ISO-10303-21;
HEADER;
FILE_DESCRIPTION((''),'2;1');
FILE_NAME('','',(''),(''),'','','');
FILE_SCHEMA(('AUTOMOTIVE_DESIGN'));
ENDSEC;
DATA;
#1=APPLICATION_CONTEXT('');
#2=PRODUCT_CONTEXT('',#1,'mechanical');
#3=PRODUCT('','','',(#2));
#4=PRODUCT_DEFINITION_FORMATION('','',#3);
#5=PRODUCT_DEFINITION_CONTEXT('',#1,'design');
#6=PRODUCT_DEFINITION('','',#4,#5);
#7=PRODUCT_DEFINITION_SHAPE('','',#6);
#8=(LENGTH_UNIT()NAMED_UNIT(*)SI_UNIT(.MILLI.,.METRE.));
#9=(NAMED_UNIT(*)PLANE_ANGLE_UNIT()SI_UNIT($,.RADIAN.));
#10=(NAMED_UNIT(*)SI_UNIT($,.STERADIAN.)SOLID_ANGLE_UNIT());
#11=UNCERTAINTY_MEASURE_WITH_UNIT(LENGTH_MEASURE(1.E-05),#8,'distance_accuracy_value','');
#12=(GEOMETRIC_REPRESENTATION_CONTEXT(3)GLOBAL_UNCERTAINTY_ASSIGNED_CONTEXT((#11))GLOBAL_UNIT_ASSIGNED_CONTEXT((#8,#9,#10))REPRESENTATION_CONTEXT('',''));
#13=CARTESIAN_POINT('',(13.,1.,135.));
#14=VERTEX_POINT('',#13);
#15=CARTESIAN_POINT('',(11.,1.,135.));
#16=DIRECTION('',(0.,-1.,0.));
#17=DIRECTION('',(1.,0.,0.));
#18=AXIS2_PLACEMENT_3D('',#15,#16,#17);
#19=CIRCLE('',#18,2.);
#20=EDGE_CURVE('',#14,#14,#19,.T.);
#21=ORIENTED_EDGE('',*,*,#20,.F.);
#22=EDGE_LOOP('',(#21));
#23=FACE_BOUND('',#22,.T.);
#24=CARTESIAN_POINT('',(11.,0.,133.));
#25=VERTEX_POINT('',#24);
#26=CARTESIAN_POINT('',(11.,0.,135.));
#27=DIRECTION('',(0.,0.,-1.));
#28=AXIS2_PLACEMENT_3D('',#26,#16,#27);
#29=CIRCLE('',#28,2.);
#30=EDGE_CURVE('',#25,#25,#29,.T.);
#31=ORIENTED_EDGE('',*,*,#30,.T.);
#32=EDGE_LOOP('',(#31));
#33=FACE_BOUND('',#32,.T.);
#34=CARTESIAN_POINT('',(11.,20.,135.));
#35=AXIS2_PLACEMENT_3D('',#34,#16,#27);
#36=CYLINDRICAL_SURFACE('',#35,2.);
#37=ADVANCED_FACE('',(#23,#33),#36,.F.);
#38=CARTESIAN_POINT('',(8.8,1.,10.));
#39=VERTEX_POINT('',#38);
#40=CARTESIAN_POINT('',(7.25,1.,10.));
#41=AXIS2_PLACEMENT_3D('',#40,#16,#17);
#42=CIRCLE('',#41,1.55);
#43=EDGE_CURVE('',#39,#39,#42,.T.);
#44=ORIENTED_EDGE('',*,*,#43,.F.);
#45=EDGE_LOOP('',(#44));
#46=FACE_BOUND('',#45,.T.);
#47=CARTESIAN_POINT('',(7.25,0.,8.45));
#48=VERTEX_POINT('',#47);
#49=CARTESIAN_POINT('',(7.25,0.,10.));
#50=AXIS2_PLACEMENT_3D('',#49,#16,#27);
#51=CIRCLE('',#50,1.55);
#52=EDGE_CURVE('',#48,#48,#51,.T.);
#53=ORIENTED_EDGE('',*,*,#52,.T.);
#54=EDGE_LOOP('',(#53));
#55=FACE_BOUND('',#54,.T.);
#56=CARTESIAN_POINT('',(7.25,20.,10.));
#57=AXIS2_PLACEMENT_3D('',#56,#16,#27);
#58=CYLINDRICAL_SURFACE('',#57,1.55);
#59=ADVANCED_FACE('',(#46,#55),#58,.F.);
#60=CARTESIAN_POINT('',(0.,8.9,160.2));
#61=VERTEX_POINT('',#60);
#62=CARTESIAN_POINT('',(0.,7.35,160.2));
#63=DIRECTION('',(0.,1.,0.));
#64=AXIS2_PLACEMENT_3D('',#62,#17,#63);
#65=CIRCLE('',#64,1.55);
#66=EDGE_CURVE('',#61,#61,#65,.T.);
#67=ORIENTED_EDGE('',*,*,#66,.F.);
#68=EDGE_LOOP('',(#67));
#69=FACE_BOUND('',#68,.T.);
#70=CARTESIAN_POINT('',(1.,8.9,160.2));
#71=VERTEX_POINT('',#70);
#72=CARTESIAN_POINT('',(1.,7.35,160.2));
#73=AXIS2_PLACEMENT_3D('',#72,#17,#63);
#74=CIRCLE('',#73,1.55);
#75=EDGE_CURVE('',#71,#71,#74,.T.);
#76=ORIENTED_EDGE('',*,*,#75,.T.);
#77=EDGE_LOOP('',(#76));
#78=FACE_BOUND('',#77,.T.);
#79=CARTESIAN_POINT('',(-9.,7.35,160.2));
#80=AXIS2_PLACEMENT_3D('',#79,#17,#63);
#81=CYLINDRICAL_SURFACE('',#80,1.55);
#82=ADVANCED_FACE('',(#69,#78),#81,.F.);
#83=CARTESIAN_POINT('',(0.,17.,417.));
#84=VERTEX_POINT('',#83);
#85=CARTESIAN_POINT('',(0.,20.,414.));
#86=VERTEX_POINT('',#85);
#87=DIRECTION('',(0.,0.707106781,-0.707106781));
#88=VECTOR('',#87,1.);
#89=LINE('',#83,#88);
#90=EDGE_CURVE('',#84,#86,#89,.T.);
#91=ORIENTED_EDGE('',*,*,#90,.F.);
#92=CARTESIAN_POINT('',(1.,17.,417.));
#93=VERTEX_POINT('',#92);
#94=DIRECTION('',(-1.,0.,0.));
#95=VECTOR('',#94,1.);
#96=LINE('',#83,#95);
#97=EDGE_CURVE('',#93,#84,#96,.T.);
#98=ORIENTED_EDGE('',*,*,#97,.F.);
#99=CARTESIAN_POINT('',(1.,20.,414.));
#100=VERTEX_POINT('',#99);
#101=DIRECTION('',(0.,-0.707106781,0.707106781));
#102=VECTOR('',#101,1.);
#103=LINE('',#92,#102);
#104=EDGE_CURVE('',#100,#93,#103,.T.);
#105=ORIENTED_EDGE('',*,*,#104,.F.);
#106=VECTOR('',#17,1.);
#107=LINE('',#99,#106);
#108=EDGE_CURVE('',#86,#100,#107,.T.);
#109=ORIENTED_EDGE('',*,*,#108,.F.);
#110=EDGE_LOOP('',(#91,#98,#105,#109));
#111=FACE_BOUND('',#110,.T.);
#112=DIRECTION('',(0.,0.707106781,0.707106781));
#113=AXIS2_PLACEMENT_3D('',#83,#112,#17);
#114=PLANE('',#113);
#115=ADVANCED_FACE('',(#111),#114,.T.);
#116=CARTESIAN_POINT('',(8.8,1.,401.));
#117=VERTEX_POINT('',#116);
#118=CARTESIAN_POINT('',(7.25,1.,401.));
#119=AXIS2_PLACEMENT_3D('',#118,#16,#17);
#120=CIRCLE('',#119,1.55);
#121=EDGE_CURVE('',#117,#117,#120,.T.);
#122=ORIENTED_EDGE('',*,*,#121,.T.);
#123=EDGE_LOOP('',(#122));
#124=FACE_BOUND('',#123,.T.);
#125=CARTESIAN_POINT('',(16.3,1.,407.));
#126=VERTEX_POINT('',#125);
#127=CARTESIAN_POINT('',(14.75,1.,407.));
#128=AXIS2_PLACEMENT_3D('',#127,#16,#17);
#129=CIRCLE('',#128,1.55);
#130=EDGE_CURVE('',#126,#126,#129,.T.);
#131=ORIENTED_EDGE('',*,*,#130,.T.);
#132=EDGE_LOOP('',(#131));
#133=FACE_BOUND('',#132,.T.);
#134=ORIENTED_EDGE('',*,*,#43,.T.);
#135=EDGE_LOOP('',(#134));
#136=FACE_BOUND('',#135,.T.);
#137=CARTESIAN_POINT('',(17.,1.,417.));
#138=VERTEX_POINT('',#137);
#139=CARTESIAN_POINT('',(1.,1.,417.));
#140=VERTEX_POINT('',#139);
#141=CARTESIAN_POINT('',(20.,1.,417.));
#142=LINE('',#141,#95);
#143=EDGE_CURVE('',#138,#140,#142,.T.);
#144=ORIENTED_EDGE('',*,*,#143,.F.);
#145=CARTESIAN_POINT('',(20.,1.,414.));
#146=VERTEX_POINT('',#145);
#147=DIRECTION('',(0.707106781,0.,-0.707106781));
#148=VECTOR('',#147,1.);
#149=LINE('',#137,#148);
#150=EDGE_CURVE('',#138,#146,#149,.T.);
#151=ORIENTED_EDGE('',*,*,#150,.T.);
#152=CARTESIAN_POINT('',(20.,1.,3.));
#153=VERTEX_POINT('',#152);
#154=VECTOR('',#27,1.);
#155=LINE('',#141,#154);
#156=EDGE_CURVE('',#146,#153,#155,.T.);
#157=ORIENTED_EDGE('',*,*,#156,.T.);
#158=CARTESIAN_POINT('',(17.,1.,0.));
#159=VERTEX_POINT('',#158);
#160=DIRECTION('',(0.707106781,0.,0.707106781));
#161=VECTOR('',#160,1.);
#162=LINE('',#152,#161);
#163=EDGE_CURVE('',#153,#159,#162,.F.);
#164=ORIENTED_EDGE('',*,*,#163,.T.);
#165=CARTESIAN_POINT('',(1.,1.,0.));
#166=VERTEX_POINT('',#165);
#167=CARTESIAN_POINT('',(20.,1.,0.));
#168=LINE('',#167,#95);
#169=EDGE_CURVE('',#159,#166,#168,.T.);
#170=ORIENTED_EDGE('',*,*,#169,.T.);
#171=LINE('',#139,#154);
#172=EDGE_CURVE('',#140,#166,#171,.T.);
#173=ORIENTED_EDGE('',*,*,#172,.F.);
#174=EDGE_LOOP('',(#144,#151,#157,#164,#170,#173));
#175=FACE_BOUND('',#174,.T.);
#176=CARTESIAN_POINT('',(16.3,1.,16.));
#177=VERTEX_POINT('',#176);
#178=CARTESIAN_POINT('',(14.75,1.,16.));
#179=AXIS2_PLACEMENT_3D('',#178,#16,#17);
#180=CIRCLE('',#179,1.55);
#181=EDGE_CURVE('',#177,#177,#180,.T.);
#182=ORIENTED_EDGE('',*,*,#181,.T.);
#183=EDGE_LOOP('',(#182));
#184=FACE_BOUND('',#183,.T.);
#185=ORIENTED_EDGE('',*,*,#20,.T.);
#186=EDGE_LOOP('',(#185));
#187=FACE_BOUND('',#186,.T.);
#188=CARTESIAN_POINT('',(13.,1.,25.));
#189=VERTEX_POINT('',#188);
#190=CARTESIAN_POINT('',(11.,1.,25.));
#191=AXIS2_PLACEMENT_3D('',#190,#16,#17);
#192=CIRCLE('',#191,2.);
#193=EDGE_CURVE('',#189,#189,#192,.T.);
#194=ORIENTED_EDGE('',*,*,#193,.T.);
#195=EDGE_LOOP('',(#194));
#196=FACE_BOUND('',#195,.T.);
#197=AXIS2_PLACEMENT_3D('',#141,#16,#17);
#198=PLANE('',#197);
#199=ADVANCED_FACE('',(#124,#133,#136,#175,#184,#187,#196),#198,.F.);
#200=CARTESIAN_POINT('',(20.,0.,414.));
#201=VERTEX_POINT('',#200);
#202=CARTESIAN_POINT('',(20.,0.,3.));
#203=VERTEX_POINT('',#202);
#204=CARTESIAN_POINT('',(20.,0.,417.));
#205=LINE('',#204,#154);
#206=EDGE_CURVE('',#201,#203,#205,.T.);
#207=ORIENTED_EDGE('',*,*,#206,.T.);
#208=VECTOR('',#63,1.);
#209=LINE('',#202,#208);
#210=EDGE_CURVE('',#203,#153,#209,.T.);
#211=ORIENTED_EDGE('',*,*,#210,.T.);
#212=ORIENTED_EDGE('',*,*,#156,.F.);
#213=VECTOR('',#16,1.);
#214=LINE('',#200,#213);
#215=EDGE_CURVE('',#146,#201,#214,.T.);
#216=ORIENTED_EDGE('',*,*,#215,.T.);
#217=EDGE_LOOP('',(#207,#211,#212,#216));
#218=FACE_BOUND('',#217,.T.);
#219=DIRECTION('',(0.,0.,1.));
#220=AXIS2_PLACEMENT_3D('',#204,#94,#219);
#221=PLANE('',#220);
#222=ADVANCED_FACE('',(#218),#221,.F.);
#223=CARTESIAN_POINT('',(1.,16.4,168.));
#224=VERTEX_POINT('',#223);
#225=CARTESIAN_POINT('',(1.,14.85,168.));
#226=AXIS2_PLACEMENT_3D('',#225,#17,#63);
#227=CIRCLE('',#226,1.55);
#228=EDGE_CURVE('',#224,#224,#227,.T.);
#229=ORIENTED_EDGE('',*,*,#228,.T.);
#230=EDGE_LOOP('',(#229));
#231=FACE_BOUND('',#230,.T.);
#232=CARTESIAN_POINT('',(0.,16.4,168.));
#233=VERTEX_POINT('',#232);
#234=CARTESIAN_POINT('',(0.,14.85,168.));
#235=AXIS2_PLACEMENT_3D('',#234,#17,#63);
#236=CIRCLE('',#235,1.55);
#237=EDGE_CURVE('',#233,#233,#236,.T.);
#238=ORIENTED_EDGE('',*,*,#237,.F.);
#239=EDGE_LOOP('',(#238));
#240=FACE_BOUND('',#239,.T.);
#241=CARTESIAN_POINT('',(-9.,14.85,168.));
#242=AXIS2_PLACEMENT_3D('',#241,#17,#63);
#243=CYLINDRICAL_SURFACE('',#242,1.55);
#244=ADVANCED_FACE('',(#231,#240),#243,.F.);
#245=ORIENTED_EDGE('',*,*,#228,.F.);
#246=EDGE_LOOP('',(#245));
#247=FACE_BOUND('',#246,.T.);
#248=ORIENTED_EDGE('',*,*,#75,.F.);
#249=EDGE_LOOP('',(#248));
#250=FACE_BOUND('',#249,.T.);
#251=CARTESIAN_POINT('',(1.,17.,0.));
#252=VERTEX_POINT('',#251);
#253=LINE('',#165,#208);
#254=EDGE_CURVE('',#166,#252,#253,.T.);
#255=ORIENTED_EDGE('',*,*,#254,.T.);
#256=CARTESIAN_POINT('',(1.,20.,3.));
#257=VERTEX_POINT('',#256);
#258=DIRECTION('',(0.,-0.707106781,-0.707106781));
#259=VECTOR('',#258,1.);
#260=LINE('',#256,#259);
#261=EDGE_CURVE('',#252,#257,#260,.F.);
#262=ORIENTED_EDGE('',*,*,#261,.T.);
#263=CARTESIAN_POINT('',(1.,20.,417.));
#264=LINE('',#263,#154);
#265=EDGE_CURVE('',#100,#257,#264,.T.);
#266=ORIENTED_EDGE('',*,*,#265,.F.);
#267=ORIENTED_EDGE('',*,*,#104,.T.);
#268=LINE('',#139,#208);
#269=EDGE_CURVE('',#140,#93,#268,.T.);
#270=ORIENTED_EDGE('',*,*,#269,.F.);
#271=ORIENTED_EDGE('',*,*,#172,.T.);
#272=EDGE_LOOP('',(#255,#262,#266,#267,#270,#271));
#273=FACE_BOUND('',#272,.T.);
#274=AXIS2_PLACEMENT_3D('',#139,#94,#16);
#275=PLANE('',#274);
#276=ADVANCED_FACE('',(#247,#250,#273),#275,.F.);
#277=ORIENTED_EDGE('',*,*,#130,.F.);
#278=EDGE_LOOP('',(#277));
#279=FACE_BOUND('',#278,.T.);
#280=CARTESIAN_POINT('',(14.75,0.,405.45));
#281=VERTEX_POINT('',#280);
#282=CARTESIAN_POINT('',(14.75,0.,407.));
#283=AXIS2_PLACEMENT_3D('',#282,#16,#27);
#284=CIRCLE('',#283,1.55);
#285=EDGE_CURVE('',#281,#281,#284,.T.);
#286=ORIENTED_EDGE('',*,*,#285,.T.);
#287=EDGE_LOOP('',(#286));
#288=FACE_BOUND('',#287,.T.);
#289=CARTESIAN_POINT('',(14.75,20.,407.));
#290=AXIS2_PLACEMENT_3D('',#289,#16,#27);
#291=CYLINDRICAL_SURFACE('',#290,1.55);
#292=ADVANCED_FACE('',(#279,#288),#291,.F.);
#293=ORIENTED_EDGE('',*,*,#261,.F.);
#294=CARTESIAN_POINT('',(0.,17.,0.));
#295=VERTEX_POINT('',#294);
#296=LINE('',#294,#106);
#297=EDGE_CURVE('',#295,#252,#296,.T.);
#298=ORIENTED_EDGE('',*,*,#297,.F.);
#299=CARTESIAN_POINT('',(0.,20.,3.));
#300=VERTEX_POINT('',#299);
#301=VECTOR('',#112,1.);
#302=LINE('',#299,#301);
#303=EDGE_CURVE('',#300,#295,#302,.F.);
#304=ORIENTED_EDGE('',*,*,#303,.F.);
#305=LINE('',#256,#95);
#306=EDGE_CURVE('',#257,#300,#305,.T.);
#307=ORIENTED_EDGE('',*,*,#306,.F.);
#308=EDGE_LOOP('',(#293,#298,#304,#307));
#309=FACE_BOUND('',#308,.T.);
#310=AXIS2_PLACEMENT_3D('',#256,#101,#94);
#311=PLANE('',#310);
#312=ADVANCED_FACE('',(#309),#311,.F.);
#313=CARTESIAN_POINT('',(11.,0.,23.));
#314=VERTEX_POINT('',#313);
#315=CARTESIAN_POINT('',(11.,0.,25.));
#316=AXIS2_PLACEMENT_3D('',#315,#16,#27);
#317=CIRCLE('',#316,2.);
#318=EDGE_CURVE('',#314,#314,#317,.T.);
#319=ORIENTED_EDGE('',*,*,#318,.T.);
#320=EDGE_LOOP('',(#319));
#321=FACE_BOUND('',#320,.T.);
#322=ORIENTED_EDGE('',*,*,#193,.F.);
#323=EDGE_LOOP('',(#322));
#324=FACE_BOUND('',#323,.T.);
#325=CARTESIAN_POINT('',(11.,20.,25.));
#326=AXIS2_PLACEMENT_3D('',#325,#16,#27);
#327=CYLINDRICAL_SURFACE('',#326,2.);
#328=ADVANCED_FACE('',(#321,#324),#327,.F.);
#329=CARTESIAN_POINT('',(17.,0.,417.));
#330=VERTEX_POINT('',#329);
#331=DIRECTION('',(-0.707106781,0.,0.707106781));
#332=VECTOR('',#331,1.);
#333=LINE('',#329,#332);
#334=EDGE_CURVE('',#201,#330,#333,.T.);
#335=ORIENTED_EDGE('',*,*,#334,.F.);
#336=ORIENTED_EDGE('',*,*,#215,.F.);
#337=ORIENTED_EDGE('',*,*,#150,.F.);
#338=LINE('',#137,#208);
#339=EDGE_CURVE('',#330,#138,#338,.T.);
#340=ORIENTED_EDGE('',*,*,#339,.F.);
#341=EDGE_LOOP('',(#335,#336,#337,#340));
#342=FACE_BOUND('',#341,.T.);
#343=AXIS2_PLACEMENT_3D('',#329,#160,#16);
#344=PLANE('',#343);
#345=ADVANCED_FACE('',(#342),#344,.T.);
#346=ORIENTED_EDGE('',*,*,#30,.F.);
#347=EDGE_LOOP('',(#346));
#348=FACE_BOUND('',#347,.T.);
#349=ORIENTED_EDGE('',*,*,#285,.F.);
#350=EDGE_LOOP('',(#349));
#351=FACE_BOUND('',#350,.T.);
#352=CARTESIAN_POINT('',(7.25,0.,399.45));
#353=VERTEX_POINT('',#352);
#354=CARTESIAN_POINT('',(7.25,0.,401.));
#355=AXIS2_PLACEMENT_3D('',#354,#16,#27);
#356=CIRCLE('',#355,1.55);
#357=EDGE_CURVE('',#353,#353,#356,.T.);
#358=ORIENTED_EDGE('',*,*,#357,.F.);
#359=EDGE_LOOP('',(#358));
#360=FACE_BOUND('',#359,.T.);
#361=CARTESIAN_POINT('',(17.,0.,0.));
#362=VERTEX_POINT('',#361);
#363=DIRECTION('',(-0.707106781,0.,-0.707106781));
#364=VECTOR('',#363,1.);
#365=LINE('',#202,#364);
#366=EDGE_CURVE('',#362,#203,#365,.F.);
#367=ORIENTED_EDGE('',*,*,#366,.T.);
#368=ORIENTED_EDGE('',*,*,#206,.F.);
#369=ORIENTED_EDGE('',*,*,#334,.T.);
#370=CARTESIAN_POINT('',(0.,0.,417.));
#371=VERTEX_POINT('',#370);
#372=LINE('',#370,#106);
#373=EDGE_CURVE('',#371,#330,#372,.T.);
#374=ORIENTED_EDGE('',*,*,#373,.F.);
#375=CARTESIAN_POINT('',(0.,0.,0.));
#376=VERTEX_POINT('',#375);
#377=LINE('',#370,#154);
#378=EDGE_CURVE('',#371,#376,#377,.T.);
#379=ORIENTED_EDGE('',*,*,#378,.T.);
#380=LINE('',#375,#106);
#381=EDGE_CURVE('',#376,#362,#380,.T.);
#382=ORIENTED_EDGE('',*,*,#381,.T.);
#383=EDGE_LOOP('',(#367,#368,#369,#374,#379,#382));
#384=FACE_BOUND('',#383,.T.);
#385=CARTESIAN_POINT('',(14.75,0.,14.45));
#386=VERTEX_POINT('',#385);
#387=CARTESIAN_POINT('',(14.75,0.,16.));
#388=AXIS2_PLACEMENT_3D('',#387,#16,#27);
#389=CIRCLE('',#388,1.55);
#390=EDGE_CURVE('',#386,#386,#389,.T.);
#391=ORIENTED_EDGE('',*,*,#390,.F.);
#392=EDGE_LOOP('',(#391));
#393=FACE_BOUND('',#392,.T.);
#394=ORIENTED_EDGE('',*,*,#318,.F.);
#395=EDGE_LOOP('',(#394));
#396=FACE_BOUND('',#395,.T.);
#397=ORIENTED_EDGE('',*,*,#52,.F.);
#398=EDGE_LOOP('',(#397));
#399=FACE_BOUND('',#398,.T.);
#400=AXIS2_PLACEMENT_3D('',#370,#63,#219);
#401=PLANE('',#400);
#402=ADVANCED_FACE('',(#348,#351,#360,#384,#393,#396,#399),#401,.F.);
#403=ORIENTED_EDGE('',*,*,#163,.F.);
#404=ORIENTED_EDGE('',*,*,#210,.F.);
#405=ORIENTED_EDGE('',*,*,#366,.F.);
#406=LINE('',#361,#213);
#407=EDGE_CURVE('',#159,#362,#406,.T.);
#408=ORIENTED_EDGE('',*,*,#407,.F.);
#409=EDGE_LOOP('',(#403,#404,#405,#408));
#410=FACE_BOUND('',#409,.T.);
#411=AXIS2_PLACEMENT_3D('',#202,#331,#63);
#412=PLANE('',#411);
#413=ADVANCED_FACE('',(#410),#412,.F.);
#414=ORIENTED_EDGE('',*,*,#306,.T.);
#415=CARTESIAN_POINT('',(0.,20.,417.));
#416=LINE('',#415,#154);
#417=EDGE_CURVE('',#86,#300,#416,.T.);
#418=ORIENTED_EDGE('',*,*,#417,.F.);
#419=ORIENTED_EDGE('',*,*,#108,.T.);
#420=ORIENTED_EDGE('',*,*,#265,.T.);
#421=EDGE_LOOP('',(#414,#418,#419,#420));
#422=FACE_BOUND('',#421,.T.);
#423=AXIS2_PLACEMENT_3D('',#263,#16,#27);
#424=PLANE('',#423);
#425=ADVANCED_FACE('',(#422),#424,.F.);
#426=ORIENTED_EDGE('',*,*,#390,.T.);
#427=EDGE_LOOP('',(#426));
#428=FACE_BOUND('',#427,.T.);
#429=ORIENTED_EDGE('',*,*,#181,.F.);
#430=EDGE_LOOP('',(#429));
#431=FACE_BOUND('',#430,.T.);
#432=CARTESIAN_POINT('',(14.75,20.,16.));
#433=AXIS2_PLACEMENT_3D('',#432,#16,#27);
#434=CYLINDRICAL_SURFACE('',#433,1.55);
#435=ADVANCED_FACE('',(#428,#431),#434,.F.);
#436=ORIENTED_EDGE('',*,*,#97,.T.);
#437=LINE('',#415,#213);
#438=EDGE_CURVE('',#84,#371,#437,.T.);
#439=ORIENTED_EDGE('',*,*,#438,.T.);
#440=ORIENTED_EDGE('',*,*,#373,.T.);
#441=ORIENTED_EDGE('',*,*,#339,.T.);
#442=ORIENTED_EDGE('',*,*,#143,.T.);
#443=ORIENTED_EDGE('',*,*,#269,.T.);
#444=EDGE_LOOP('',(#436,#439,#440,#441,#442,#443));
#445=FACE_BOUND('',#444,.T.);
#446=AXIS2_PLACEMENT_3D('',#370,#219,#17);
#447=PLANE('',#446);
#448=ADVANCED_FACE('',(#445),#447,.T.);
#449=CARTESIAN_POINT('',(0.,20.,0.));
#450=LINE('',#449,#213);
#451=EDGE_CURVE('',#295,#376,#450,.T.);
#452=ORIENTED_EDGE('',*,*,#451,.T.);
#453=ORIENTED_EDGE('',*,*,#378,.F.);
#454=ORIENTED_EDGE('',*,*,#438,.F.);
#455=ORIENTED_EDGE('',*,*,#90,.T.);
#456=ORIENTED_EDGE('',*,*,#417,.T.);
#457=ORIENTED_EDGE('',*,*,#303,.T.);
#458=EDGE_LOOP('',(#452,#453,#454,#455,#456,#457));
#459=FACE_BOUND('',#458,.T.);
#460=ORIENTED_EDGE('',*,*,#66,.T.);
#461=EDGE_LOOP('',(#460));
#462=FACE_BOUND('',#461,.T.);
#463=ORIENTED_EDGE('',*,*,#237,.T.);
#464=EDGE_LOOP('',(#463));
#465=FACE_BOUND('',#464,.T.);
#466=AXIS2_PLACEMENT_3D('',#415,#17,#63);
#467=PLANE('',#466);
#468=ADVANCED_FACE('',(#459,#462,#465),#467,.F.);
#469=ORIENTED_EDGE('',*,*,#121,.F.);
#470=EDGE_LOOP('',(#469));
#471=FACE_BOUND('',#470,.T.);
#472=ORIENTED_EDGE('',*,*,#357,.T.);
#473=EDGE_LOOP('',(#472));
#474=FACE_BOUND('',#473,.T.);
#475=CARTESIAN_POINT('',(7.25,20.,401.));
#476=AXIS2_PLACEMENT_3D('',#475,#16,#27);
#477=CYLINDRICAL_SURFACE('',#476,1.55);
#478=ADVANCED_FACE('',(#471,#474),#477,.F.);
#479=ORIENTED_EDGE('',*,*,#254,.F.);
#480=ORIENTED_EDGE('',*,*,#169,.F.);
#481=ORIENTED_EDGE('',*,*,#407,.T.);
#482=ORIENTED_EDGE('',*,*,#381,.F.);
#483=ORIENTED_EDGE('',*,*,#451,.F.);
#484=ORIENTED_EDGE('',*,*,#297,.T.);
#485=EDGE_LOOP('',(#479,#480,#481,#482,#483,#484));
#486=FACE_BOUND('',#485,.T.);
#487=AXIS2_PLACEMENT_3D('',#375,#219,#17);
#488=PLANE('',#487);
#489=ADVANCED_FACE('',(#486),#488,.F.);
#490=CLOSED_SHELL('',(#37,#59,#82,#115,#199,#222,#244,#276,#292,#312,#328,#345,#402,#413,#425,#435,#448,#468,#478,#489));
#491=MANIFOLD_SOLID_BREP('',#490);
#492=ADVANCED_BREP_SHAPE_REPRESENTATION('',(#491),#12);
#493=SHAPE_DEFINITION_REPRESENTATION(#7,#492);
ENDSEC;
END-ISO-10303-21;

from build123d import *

# Parameters (mm, degrees)
BASE_DEPTH          = 417
CHAMFER1_SIZE       = 3
SKETCH3_R           = 1.55
FORCABLECHAIN_DEPTH = 10
SKETCH4_R           = 1.55
GUIDEHOLES_DEPTH    = 418.958131874
SKETCH5_R           = 2
CABLETIEHOLES_DEPTH = 418.958131874


with BuildPart() as part:
    # Sketch1 → Base (new body)
    with BuildSketch(Plane.XY):
        Polygon((0, 0), (20, 0), (20, 1), (1, 1), (1, 20), (0, 20), align=None)
    extrude(amount=BASE_DEPTH)

    # Chamfer1
    chamfer1_edges = [part.edges().sort_by_distance(p)[0] for p in [
        (20, 0.5, 417),
        (0.5, 20, 417),
        (0.5, 20, 0),
        (20, 0.5, 0),
    ]]
    chamfer(chamfer1_edges, length=CHAMFER1_SIZE)

    # Sketch3 → ForCableChain (cut)
    with BuildSketch(Plane(origin=(1, 0, 0), x_dir=(0, 0, -1), z_dir=(1, 0, 0))):
        with Locations(Location((-168, 14.85, 0), (0, 0, 90))):
            Circle(SKETCH3_R)
        with Locations(Location((-160.2, 7.35, 0), (0, 0, 90))):
            Circle(SKETCH3_R)
    extrude(amount=-FORCABLECHAIN_DEPTH, mode=Mode.SUBTRACT)

    # Sketch4 → GuideHoles (cut, through all)
    with BuildSketch(Plane.XZ):
        with Locations(Location((7.25, 10, 0), (0, 0, 270))):
            Circle(SKETCH4_R)
        with Locations(Location((14.75, 16, 0), (0, 0, 270))):
            Circle(SKETCH4_R)
        with Locations(Location((7.25, 401, 0), (0, 0, 270))):
            Circle(SKETCH4_R)
        with Locations(Location((14.75, 407, 0), (0, 0, 270))):
            Circle(SKETCH4_R)
    extrude(amount=-GUIDEHOLES_DEPTH, mode=Mode.SUBTRACT)

    # Sketch5 → CableTieHoles (cut, through all)
    with BuildSketch(Plane.XZ):
        with Locations(Location((11, 25, 0), (0, 0, 270))):
            Circle(SKETCH5_R)
        with Locations(Location((11, 135, 0), (0, 0, 270))):
            Circle(SKETCH5_R)
    extrude(amount=-CABLETIEHOLES_DEPTH, mode=Mode.SUBTRACT)


solid = part.part
